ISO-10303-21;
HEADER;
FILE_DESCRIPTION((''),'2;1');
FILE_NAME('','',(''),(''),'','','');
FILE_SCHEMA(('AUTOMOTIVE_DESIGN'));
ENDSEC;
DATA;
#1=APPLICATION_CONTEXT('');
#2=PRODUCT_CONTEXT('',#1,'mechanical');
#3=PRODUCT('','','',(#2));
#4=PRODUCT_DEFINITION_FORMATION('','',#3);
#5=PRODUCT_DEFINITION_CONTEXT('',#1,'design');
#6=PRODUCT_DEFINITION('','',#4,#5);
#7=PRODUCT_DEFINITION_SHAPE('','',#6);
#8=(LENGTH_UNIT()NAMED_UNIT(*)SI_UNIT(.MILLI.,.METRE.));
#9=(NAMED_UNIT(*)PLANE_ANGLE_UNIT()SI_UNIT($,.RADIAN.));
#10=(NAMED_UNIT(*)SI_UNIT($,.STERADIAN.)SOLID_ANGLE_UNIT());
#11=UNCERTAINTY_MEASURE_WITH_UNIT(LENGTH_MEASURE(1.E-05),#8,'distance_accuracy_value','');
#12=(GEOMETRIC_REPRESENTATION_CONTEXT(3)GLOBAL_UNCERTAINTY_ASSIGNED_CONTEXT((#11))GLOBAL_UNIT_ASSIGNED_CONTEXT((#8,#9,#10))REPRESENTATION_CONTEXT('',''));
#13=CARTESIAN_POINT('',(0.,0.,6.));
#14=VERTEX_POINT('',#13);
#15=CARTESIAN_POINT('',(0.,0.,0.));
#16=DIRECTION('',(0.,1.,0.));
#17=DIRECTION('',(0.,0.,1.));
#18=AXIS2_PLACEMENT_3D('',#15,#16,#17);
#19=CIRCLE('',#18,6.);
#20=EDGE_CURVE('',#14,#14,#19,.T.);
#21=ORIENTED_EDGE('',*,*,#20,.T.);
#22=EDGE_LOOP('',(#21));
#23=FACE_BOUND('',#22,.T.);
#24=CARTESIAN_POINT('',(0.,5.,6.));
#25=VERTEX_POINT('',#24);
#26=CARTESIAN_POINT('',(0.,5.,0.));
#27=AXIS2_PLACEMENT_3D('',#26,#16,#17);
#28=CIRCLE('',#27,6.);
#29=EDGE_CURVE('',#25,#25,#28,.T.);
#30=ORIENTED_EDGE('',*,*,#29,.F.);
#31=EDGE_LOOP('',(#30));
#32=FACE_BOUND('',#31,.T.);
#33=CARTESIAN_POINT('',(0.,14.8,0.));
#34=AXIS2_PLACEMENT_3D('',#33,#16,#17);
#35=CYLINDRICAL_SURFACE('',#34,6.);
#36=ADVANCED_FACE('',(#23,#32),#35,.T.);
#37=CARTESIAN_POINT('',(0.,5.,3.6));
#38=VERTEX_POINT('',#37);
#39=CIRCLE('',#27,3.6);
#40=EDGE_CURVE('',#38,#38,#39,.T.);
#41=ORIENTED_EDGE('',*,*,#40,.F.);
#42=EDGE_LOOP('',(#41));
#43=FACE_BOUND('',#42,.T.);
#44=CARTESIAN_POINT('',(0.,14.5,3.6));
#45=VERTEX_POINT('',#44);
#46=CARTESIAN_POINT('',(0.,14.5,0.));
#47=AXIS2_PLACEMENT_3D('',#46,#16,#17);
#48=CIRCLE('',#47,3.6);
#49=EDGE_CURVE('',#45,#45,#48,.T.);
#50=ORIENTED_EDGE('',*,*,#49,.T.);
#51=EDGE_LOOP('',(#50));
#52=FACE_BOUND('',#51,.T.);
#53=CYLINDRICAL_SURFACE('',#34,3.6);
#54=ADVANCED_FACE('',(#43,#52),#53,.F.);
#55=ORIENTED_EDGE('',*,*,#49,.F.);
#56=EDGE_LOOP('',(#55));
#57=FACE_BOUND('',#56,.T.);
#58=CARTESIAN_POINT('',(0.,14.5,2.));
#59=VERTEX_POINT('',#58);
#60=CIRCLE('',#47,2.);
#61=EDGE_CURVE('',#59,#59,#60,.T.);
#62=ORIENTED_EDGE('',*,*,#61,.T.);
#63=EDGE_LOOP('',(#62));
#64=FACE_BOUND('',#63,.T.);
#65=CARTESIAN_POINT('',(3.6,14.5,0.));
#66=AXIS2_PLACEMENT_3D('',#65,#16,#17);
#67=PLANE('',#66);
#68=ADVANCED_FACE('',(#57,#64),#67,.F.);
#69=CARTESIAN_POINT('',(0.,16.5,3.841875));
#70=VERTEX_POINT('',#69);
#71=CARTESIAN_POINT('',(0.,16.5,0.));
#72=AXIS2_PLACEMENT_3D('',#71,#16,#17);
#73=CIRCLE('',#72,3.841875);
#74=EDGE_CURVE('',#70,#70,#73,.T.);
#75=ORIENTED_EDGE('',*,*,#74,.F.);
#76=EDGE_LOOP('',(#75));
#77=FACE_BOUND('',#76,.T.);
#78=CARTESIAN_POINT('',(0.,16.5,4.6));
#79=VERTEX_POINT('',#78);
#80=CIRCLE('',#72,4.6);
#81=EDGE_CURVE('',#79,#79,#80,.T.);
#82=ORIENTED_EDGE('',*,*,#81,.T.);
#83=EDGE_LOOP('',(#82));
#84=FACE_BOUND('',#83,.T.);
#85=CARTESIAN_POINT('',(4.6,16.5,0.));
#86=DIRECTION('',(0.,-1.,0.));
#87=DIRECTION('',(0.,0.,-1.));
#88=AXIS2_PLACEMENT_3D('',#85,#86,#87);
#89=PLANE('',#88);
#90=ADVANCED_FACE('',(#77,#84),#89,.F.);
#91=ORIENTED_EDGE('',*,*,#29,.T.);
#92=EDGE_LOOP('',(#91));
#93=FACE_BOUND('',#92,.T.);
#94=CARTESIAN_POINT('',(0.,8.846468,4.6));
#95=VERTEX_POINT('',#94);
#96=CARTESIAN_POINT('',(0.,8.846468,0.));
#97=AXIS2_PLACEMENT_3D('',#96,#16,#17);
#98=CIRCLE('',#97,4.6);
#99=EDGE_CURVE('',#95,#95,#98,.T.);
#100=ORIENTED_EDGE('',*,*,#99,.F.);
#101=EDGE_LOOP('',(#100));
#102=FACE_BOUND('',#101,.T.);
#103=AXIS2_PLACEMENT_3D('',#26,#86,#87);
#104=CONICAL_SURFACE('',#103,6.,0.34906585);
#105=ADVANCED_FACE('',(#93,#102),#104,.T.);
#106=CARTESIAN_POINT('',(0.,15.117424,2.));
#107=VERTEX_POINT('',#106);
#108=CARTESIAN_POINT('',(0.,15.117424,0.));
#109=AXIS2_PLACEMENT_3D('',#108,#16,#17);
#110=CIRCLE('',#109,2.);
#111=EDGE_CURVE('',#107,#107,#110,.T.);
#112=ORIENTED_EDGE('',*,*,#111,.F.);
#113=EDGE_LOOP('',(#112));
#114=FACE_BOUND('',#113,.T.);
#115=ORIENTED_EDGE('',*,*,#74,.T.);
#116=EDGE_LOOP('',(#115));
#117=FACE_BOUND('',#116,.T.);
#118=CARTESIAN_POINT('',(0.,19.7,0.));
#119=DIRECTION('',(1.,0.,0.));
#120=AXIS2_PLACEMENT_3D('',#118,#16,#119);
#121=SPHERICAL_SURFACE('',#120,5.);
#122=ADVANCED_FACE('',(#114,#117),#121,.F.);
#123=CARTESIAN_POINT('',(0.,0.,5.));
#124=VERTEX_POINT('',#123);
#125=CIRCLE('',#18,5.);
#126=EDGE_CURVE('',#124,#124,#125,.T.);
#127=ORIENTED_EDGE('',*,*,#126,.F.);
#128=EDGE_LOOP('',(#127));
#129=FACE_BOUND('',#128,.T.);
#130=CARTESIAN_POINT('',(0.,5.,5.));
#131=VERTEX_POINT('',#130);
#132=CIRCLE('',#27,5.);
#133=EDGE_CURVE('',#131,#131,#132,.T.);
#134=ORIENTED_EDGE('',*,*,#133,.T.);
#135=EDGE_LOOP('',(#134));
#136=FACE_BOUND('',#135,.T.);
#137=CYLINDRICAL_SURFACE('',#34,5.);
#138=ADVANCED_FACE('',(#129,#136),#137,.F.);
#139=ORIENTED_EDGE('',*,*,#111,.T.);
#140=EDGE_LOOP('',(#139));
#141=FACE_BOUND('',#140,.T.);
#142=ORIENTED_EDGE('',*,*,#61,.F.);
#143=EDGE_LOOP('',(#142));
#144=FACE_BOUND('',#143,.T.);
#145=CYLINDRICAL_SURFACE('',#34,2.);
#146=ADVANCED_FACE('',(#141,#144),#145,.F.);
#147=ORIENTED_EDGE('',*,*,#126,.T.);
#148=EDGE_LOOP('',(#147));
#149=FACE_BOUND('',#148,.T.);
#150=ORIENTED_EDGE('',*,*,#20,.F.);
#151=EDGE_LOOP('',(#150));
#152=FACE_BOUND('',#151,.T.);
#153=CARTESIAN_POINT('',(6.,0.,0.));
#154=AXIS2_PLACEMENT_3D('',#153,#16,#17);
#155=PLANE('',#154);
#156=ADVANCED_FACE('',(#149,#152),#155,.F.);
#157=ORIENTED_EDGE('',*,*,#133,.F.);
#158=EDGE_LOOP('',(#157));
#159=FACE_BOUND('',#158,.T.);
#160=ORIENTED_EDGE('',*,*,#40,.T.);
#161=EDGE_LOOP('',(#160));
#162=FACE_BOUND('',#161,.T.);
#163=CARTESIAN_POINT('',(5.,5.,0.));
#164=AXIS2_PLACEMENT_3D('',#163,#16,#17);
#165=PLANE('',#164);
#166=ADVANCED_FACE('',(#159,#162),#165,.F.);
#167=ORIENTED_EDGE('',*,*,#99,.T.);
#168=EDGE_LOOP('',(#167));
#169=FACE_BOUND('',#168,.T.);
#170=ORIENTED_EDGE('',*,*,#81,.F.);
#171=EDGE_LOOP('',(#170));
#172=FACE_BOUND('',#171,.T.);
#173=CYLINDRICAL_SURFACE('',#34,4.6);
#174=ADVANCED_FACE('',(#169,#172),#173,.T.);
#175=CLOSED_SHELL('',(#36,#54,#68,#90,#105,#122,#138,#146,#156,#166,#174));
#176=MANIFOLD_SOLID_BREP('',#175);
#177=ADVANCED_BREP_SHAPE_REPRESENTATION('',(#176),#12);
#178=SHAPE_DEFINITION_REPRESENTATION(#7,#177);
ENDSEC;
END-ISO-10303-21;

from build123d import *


with BuildPart() as part:
    # Sketch1 → Revolve1 (revolve)
    with BuildSketch(Plane.XY):
        with BuildLine():
            Line((6, 0), (5, 0))
            Line((5, 0), (5, 5))
            Line((5, 5), (3.6, 5))
            Line((3.6, 5), (3.6, 14.5))
            Line((3.6, 14.5), (2, 14.5))
            Line((2, 14.5), (2, 15.117424305))
            ThreePointArc((2, 15.117424305), (3.001625132, 15.701219365), (3.841874542, 16.5))
            Line((3.841874542, 16.5), (4.6, 16.5))
            Line((4.6, 16.5), (4.6, 8.846468387))
            Line((4.6, 8.846468387), (6, 5))
            Line((6, 5), (6, 0))
        make_face()
    revolve(axis=Axis((0, 14.8, 0), (0, -1, 0)))


solid = part.part
